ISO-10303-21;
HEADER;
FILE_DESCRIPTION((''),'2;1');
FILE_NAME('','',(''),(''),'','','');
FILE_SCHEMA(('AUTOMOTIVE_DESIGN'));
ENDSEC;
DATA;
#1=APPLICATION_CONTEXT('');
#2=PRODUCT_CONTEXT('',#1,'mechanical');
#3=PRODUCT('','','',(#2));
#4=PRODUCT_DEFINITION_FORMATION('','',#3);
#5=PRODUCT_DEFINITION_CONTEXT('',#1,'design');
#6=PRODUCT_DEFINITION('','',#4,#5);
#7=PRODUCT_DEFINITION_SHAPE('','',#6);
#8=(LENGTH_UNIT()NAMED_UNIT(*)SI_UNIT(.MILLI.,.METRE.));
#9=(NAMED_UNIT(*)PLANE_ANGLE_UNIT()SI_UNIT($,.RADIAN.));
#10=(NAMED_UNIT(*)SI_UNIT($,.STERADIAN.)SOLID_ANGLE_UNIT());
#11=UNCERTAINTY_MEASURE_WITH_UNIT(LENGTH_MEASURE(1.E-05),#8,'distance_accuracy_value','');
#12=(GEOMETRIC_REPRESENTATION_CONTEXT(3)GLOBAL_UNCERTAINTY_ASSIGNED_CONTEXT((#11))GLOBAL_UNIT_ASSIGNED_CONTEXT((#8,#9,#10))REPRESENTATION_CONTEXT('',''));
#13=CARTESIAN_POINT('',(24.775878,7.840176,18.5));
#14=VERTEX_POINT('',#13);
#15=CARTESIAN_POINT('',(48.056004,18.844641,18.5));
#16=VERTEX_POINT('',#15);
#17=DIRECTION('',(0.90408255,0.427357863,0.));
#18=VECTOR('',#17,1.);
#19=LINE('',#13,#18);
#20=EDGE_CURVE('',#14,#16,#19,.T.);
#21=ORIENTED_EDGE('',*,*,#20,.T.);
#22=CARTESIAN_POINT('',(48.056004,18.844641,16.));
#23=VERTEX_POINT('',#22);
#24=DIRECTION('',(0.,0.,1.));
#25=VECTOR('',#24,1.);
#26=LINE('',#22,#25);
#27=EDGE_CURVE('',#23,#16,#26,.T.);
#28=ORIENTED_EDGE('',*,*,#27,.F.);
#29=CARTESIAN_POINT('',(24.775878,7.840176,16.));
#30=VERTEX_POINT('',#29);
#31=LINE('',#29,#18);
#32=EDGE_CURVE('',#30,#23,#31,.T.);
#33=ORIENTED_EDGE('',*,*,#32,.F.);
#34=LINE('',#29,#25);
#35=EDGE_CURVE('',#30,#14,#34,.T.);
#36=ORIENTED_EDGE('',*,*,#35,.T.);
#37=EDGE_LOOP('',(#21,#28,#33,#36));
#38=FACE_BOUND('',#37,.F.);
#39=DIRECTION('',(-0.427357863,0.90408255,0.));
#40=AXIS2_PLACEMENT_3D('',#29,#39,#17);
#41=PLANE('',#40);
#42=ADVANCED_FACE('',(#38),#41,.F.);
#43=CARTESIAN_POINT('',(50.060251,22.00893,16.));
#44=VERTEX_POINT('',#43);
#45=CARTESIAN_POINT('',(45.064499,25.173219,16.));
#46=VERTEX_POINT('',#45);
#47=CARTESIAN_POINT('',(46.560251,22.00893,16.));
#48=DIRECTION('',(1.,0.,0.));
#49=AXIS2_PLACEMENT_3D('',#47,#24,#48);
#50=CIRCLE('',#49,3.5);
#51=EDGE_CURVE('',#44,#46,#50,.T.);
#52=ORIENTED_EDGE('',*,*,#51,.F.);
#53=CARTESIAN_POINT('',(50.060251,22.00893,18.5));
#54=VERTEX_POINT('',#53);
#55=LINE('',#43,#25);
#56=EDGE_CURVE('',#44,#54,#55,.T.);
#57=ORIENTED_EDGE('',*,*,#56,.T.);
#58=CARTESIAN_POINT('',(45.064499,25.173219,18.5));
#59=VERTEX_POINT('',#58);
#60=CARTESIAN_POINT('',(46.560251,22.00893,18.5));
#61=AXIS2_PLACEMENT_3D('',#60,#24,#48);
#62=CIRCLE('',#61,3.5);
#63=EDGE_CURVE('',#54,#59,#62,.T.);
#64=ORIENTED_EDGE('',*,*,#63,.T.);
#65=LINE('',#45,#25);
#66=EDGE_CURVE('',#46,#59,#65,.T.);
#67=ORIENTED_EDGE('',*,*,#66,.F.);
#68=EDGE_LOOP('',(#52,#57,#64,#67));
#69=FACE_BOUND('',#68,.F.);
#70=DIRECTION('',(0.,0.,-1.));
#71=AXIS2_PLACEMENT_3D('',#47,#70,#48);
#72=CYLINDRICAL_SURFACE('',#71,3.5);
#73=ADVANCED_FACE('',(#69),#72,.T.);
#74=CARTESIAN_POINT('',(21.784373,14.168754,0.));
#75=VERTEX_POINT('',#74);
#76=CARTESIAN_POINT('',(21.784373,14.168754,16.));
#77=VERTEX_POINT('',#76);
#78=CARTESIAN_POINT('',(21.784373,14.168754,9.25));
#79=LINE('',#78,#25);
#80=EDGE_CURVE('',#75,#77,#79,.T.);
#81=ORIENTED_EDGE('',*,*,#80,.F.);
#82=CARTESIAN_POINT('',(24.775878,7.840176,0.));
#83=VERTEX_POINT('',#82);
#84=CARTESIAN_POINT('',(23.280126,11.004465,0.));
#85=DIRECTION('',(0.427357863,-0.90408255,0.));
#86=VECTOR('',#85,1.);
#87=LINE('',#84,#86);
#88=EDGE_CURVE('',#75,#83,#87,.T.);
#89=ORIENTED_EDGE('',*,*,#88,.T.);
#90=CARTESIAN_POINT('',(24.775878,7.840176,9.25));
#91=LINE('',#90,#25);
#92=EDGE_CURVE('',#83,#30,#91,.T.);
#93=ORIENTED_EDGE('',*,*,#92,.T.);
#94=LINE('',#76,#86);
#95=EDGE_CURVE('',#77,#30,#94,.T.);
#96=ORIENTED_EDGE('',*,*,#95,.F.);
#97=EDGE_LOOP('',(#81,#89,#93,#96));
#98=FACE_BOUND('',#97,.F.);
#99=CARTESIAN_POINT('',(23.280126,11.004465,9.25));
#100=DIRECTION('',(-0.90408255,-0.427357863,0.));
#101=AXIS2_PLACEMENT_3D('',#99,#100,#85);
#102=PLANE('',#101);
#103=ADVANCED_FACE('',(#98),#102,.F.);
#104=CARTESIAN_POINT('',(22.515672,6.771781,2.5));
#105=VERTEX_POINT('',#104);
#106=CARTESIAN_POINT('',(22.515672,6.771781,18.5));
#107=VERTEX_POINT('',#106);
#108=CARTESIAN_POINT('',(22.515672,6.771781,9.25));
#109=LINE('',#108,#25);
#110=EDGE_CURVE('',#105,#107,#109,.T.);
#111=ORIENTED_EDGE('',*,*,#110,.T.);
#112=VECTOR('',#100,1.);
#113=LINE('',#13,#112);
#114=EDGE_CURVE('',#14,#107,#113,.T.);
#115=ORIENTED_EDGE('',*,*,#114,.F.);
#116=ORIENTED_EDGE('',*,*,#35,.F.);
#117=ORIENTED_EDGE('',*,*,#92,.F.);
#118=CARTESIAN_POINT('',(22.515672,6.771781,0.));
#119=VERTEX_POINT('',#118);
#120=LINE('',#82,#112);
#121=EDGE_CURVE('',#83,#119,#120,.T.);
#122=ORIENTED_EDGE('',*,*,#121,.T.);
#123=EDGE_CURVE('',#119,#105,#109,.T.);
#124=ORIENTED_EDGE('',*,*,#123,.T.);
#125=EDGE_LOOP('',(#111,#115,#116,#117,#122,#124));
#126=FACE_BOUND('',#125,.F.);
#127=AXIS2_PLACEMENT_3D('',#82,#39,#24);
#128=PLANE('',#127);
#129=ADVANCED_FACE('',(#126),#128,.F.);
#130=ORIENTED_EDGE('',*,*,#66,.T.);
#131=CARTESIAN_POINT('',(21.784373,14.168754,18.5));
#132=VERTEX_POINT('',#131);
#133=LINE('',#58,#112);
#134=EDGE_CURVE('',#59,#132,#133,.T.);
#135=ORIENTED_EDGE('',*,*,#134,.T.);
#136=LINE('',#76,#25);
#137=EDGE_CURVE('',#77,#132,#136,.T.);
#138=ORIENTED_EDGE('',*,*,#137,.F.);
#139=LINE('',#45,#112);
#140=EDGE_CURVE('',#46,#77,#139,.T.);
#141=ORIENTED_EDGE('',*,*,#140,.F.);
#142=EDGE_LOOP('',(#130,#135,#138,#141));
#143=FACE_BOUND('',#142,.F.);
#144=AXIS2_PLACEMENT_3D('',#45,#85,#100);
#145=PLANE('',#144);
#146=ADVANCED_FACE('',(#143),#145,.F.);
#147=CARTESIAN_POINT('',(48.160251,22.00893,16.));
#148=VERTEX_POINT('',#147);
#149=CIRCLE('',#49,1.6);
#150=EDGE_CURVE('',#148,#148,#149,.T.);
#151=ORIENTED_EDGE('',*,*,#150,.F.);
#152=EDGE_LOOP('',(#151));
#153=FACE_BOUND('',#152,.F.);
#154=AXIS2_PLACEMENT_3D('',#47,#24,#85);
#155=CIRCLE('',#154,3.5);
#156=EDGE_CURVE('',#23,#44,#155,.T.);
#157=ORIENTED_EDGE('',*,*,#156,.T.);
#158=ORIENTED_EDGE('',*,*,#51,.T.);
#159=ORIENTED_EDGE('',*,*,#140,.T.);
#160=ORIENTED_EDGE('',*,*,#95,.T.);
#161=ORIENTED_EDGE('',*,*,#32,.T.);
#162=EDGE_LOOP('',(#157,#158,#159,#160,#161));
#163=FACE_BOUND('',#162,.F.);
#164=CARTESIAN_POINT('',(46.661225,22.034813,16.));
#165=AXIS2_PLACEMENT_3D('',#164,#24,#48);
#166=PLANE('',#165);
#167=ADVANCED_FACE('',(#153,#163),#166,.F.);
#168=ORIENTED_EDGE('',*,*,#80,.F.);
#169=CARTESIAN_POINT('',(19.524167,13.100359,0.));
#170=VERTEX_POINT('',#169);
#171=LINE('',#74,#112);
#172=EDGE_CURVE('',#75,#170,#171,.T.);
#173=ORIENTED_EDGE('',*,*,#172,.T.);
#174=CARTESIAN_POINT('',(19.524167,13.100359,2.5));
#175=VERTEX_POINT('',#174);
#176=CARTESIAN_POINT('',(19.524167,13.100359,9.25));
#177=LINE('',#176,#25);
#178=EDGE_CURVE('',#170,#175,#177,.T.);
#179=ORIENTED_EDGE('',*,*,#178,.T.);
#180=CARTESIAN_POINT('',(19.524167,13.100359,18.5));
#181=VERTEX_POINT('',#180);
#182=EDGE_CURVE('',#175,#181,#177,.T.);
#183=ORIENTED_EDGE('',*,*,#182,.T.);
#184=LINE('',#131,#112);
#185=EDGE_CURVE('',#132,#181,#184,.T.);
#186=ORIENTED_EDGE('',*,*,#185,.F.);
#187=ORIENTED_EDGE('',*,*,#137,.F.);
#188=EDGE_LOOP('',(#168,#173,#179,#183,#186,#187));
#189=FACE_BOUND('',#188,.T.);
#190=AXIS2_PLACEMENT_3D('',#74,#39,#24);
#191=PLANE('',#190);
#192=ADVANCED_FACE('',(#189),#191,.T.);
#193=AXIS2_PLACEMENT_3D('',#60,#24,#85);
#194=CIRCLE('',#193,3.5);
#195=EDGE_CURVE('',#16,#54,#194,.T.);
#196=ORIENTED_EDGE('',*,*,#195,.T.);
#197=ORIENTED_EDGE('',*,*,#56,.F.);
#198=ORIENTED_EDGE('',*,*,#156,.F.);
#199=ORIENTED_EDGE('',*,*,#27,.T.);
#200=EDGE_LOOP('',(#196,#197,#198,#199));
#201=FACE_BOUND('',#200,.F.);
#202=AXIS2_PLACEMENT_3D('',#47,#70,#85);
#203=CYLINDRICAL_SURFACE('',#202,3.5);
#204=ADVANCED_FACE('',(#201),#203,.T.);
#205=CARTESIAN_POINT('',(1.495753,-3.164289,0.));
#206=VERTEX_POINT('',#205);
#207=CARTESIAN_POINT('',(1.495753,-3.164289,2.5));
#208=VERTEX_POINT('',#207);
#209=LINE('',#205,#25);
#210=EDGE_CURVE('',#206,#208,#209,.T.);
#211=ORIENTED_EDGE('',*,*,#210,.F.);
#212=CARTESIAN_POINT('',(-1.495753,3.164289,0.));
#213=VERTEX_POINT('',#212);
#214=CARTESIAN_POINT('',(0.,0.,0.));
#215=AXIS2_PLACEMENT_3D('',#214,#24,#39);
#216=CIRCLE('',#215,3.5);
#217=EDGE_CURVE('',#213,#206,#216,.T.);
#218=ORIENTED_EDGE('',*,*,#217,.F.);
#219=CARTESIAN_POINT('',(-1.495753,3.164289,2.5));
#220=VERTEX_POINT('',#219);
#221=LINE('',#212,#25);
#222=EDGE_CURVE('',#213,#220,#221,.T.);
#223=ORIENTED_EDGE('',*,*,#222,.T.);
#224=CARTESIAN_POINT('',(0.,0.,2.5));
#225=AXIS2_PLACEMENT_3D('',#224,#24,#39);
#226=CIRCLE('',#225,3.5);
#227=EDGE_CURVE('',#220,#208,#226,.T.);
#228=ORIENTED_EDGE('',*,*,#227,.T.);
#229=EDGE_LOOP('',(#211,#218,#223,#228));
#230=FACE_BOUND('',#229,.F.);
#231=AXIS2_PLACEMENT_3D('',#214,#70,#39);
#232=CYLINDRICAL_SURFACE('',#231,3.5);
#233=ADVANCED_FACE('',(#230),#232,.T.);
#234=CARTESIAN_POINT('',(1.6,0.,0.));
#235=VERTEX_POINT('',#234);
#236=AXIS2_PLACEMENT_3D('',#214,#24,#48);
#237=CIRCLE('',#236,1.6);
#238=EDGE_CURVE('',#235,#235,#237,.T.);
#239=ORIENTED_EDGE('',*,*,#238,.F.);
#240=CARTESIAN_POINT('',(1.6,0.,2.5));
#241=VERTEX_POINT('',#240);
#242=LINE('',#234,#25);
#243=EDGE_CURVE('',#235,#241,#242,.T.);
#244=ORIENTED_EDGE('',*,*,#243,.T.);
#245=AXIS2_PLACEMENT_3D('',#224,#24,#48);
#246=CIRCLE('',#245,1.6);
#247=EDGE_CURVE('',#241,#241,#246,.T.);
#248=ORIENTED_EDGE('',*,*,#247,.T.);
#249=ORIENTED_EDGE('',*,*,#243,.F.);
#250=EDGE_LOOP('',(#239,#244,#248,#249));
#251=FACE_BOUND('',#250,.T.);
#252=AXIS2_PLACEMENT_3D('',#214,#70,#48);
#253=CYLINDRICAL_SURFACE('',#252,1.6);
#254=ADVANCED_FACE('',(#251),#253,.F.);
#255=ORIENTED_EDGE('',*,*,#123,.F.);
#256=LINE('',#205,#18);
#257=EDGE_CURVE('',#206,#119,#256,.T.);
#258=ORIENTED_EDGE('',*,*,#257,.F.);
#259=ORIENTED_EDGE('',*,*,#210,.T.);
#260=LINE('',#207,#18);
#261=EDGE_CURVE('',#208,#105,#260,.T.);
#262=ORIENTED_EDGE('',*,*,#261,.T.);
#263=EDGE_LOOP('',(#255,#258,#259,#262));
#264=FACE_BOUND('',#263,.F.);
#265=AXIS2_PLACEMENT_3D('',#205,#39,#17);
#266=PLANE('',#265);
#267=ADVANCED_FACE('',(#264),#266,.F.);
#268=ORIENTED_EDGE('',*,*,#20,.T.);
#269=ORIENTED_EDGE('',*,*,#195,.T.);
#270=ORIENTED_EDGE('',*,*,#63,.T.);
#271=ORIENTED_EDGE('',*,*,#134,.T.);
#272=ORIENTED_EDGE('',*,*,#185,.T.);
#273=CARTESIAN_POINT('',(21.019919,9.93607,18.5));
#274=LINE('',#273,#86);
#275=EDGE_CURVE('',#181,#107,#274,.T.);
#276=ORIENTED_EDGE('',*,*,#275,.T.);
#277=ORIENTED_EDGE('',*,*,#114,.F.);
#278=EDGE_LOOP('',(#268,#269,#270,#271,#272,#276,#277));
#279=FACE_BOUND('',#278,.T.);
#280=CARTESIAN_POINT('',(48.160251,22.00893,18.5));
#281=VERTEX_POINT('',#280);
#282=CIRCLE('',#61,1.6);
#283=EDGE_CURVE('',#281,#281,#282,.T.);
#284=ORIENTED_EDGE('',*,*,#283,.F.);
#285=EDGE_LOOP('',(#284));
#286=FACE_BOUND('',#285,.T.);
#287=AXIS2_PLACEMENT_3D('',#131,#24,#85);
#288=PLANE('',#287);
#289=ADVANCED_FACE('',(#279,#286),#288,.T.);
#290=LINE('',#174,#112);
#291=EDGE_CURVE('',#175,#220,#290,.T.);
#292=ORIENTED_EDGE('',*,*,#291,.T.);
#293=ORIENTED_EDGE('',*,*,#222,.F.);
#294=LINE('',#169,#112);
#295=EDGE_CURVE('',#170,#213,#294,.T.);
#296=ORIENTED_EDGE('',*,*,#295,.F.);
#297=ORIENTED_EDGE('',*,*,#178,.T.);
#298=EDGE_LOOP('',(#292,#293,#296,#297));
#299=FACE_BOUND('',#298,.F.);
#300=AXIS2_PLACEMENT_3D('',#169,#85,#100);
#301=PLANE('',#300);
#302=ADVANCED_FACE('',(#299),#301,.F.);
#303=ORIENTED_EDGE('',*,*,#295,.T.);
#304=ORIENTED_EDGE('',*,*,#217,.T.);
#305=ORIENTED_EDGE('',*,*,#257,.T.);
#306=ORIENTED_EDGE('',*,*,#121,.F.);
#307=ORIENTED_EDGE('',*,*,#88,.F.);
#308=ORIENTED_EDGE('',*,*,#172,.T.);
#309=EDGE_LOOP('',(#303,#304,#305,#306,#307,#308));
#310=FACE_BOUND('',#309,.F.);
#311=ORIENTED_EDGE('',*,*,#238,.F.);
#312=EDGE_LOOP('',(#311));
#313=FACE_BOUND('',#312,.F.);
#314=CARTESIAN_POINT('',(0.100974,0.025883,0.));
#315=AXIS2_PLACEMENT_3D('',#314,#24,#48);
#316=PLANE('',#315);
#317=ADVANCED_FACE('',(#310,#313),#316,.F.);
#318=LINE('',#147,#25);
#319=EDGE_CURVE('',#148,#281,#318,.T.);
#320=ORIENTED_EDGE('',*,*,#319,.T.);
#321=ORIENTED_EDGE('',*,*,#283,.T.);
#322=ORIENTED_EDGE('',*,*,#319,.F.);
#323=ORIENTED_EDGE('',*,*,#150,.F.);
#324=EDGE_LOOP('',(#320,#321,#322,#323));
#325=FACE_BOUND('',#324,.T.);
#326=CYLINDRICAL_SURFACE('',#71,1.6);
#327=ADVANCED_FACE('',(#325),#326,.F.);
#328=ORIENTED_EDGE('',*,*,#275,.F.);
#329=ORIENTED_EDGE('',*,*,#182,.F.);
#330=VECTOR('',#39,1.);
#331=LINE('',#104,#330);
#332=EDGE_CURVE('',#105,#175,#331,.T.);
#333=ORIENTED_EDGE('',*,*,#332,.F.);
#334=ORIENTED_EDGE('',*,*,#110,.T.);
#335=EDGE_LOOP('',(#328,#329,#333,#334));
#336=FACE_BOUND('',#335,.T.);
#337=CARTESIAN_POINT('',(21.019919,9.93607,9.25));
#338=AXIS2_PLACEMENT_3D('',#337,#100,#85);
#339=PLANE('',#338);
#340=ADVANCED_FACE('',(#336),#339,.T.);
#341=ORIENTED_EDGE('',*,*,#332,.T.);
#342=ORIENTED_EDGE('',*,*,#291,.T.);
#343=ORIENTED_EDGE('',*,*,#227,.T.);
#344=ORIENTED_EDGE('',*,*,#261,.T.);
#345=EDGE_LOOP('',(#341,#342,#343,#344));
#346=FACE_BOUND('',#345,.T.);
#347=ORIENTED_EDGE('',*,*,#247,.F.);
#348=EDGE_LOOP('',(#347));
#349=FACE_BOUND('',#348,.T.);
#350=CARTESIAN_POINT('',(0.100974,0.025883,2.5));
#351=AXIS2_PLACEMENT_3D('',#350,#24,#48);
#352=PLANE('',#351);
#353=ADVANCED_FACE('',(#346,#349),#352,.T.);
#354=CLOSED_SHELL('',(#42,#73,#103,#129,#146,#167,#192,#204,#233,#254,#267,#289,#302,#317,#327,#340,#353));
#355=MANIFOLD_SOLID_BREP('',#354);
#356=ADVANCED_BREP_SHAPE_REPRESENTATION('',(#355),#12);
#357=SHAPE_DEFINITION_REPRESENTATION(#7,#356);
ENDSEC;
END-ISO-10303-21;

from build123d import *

# Parameters (mm, degrees)
F1_R     = 1.6
F2_DEPTH = 2.5
F3_W     = 7
F3_H     = 18.5
F4_DEPTH = 2.5
F5_R     = 1.6
F6_DEPTH = 2.5


with BuildPart() as f2:
    # F1 (on offset) → F2 (new body)
    with BuildSketch(Plane.XY.offset(16)):
        with BuildLine():
            ThreePointArc((48.0560038294, 18.8446410406), (49.5170345112, 20.1361157487), (50.0602513075, 22.0089299644))
            ThreePointArc((50.0602513075, 22.0089299644), (48.4330655233, 24.9657131681), (45.0644987857, 25.1732188883))
            ThreePointArc((45.0644987857, 25.1732188883), (43.3959623837, 20.5131774426), (48.0560038294, 18.8446410406))
        make_face()
        with Locations((46.5602513075, 22.0089299644)):
            Circle(F1_R, mode=Mode.SUBTRACT)
        with BuildLine():
            ThreePointArc((48.0560038294, 18.8446410406), (43.3959623837, 20.5131774426), (45.0644987857, 25.1732188883))
            Line((45.0644987857, 25.1732188883), (21.7843731319, 14.168753906))
            Line((21.7843731319, 14.168753906), (24.7758781756, 7.8401760584))
            Line((24.7758781756, 7.8401760584), (48.0560038294, 18.8446410406))
        make_face()
    extrude(amount=F2_DEPTH)

    # F3 (on face) → F4 (join)
    with BuildSketch(Plane(origin=(23.2801256538, 11.0044649822, 0), x_dir=(0.4273578634, -0.9040825497, 0), z_dir=(-0.9040825497, -0.4273578634, 0))):
        with Locations((0, 9.25)):
            Rectangle(F3_W, F3_H)
    extrude(amount=F4_DEPTH)

    # F5 (on Top) → F6 (join)
    with BuildSketch(Plane.XY):
        with BuildLine():
            ThreePointArc((1.4957525219, -3.1642889238), (2.9567832036, -1.8728142158), (3.5, 0))
            ThreePointArc((3.5, 0), (1.8728142158, 2.9567832036), (-1.4957525219, 3.1642889238))
            ThreePointArc((-1.4957525219, 3.1642889238), (-3.1642889238, -1.4957525219), (1.4957525219, -3.1642889238))
        make_face()
        Circle(F5_R, mode=Mode.SUBTRACT)
        with BuildLine():
            ThreePointArc((-1.4957525219, 3.1642889238), (1.8728142158, 2.9567832036), (3.5, 0))
            ThreePointArc((3.5, 0), (2.9567832036, -1.8728142158), (1.4957525219, -3.1642889238))
            Line((1.4957525219, -3.1642889238), (22.5156718015, 6.7717813999))
            Line((22.5156718015, 6.7717813999), (19.5241667578, 13.1003592476))
            Line((19.5241667578, 13.1003592476), (-1.4957525219, 3.1642889238))
        make_face()
    extrude(amount=F6_DEPTH)


solid = f2.part
